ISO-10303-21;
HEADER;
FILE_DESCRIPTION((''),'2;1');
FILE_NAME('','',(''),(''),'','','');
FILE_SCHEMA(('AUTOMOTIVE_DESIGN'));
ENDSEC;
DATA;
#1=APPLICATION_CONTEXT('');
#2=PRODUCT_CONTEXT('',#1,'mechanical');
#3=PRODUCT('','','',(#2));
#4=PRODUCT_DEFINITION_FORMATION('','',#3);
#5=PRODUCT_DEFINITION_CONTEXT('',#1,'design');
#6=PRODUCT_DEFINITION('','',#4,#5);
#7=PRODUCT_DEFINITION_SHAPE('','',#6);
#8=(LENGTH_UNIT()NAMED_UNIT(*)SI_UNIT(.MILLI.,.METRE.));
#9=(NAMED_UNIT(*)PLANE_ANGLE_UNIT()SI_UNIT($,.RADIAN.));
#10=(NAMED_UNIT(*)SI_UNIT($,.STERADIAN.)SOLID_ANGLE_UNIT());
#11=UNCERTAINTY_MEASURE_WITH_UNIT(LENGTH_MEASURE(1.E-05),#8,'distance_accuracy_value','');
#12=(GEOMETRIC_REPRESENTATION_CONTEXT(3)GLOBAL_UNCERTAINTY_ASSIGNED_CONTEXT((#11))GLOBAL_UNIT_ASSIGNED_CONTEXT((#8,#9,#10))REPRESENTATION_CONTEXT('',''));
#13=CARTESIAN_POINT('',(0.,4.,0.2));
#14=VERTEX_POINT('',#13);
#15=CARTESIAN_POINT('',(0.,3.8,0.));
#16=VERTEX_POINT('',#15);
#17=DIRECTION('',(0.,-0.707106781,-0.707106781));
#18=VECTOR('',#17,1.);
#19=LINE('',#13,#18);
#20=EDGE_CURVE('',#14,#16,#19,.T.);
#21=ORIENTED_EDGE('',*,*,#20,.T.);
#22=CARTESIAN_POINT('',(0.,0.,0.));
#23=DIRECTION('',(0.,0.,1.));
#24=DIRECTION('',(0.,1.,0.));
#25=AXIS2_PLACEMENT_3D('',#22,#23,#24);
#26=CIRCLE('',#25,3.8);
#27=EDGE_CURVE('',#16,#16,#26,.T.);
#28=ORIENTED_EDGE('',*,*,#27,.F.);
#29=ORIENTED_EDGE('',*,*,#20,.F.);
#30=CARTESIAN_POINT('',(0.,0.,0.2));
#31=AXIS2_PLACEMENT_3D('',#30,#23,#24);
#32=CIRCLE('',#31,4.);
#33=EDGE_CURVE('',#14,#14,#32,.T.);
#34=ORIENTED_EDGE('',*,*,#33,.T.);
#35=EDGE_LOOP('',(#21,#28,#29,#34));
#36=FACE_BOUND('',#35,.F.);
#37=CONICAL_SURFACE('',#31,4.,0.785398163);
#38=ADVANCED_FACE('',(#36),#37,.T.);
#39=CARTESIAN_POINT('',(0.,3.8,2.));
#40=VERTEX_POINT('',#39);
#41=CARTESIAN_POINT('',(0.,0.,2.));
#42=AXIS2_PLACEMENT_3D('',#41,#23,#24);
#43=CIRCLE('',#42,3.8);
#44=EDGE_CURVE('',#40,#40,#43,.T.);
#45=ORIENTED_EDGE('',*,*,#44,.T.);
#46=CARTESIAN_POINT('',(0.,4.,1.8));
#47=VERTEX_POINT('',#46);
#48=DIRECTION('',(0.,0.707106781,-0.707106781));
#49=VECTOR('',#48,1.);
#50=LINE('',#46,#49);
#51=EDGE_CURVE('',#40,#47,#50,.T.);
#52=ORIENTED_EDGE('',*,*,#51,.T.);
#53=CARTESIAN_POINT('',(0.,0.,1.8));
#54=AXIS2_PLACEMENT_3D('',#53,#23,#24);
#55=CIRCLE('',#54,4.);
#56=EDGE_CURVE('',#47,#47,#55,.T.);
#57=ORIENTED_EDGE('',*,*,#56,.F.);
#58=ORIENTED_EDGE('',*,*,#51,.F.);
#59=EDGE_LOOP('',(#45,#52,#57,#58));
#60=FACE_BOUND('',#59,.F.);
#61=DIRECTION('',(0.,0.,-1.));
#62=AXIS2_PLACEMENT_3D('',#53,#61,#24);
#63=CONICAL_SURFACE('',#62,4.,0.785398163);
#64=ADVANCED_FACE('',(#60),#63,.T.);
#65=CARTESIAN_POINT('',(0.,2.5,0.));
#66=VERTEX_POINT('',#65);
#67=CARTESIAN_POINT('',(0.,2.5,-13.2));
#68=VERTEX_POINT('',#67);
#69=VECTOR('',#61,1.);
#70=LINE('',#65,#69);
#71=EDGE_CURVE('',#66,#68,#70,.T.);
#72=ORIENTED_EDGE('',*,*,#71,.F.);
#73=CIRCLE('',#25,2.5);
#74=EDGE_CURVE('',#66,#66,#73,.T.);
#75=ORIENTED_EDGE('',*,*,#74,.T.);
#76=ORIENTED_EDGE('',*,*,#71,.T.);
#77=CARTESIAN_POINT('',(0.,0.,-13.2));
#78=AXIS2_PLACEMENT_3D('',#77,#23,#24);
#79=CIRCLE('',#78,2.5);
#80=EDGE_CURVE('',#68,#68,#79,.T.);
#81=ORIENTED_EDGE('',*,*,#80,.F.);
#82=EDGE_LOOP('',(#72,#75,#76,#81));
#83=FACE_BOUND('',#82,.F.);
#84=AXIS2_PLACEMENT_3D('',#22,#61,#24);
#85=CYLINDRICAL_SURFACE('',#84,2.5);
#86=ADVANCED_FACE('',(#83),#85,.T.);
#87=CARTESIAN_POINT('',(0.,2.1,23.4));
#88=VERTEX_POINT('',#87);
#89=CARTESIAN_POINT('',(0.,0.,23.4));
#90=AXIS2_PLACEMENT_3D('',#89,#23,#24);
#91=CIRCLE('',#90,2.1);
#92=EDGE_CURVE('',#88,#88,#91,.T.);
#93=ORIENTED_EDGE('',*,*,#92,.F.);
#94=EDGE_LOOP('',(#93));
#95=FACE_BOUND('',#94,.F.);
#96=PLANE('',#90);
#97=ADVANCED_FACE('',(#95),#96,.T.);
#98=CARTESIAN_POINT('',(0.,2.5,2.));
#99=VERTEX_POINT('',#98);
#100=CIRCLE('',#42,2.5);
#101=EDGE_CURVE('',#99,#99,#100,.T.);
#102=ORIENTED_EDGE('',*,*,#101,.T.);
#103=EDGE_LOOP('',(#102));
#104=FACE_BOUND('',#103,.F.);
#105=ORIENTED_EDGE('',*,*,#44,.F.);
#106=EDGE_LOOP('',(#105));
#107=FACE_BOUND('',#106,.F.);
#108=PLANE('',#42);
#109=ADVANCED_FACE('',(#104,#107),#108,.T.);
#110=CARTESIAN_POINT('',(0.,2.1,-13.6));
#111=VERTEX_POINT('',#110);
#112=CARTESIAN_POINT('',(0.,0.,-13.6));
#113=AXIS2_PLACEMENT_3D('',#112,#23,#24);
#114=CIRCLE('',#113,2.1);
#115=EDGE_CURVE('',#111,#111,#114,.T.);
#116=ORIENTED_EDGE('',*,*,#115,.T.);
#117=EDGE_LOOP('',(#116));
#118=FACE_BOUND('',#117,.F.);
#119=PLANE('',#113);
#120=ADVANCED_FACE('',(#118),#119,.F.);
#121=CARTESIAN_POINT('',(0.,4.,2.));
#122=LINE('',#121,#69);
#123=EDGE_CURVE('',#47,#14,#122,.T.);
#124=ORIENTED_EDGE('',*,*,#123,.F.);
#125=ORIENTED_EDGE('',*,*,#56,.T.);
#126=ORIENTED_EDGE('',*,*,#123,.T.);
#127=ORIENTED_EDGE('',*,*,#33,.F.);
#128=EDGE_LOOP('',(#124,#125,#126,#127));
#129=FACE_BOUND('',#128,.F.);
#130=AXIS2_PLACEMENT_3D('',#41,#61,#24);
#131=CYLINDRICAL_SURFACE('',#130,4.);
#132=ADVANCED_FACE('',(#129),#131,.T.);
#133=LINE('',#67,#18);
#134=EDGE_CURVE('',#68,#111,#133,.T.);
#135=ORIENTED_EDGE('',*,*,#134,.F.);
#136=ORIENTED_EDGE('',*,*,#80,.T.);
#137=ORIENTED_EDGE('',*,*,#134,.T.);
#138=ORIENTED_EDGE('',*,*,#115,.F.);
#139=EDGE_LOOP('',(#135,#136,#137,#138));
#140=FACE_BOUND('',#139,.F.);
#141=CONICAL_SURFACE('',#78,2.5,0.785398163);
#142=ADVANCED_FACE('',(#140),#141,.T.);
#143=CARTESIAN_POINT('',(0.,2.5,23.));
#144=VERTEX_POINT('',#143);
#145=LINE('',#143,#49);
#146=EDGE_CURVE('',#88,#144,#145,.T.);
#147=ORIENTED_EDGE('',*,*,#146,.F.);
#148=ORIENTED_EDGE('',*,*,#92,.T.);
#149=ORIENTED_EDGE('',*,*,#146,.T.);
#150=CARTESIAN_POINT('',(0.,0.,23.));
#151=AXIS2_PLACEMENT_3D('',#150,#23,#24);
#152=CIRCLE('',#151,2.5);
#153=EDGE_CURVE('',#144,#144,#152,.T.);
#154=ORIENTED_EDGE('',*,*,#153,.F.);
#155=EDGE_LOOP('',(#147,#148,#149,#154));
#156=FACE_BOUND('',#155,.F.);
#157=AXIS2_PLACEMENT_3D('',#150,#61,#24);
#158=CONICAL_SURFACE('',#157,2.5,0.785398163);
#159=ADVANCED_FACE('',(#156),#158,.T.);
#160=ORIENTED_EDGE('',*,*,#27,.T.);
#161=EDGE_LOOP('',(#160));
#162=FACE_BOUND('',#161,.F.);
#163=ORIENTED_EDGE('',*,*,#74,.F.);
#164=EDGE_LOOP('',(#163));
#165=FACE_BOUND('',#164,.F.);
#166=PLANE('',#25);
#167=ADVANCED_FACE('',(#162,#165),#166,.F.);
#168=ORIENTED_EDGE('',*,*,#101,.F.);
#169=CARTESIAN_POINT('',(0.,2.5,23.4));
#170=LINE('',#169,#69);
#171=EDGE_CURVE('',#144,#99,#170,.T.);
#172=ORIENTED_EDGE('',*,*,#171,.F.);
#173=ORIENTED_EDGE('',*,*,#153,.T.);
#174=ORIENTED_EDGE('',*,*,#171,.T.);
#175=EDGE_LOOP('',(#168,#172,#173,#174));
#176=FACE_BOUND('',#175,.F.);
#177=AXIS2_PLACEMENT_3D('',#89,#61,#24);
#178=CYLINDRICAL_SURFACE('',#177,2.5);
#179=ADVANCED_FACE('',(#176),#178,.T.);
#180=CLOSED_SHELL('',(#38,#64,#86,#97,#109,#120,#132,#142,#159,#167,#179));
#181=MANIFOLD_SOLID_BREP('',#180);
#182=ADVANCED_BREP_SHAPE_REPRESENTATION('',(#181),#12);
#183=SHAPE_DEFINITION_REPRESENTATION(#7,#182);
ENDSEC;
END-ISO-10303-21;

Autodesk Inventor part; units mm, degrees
ref_plane "YZ Plane" through (0, 0, 0) normal (1, 0, 0) x (0, 1, 0)
ref_plane "XZ Plane" through (0, 0, 0) normal (0, 1, 0) x (-1, 0, 0)
ref_plane "XY Plane" through (0, 0, 0) normal (0, 0, 1) x (1, 0, 0)
sketch "Sketch1" plane through (0, 0, 0) normal (1, 0, 0) x (0, 1, 0)
  line L0 (0, -13.6) -> (0, 23.4)
  line L1 (0, 23.4) -> (2.5, 23.4)
  line L2 (2.5, 23.4) -> (2.5, 2)
  line L3 (2.5, 2) -> (4, 2)
  line L4 (4, 2) -> (4, 0)
  line L5 (4, 0) -> (2.5, 0)
  line L6 (2.5, 0) -> (2.5, -13.6)
  line L7 (2.5, -13.6) -> (0, -13.6)
  point P0 (0, 0)
  dimension "d0" = 5
  dimension "d1" = 37
  dimension "d2" = 13.6
  dimension "d3" = 2
  dimension "d4" = 8
revolve "Revolution1" add sketch "Sketch1" angle 360 about axis through (0, 0, -13.6) along (0, 0, 1)
chamfer "Chamfer1" distance 0.4 angle 45 2 edges at (0, -2.5, -13.6) (0, -2.5, 23.4)
chamfer "Chamfer2" distance 0.2 angle 45 2 edges at (0, -4, 2) (0, -4, 0)
properties part number "rail-shaft" material "Stainless Steel"
